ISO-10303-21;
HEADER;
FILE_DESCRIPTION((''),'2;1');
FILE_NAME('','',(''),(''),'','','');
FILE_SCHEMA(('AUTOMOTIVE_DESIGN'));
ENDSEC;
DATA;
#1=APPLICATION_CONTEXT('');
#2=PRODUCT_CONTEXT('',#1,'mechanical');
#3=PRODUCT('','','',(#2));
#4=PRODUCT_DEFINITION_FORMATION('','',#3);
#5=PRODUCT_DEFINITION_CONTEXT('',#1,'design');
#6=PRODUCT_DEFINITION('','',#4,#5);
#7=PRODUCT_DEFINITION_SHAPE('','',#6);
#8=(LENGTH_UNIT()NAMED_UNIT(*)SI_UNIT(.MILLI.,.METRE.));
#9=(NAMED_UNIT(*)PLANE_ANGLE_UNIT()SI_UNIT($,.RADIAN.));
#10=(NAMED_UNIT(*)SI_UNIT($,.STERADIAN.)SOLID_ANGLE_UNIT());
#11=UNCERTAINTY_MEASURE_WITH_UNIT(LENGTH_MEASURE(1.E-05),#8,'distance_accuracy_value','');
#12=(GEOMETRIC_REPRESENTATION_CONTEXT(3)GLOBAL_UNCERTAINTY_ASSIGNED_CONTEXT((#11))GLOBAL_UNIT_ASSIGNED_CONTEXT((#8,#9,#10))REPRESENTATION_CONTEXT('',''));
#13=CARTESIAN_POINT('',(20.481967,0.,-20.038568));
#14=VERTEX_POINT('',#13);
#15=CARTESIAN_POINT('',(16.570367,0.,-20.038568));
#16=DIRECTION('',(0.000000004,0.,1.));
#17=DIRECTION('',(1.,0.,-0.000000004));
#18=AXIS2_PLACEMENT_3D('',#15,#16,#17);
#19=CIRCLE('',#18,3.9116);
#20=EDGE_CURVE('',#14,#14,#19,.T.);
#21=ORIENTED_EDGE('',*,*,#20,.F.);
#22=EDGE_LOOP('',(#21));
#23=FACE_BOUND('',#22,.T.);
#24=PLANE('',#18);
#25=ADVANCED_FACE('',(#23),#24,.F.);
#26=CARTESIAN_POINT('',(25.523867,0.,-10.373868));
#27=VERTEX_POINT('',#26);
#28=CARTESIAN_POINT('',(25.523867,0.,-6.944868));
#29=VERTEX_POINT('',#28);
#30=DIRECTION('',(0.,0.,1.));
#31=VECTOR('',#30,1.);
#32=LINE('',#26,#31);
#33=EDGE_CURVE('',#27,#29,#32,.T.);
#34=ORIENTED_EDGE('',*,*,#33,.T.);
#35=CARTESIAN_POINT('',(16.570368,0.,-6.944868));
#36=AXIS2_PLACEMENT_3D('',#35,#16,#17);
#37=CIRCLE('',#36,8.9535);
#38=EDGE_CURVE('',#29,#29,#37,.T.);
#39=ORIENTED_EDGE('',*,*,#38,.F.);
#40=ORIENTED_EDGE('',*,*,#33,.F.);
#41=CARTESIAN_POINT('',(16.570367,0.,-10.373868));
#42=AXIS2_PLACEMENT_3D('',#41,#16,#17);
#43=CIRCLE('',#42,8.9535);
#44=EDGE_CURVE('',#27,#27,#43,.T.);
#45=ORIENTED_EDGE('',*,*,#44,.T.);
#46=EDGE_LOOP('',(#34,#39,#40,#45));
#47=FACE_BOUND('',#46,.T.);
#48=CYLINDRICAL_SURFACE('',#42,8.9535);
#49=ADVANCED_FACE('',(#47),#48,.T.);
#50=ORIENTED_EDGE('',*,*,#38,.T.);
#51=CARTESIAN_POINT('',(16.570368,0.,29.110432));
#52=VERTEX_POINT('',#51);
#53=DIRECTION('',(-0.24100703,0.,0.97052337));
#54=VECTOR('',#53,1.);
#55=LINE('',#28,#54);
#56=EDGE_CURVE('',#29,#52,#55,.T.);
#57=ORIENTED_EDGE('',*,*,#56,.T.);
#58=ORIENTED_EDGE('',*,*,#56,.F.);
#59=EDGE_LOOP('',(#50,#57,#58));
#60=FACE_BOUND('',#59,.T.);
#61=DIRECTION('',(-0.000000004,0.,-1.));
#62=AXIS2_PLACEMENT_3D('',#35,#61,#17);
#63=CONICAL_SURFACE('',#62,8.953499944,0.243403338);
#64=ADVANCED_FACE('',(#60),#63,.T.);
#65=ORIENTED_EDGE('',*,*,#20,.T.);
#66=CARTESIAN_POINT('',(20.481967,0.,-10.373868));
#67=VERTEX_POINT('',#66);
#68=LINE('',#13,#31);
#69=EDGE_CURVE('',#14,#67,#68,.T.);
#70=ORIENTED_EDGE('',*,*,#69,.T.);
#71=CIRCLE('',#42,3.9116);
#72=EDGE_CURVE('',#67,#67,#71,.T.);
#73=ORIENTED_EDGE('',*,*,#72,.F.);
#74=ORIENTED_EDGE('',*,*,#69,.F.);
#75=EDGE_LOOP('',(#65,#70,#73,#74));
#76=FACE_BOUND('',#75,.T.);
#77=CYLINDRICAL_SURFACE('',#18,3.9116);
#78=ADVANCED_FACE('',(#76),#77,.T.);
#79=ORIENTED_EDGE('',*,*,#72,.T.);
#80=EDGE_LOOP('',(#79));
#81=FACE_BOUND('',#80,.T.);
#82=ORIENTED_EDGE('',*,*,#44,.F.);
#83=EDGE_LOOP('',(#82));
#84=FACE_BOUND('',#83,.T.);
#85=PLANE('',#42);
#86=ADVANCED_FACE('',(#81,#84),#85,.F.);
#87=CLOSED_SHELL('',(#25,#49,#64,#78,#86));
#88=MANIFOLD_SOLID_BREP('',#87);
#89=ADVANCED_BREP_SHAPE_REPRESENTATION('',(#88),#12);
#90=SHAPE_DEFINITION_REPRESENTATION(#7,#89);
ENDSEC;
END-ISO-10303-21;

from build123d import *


with BuildPart() as f1:
    # F0 (on Front) → F1 (revolve)
    with BuildSketch(Plane.XZ):
        Polygon((16.5703676694, 29.1104319518), (16.5703674581, -20.0385680482), (20.4819674581, -20.0385680482), (20.4819674581, -10.3738680482), (25.5238674581, -10.3738680482), (25.5238674581, -6.9448680482), align=None)
    revolve(axis=Axis((16.5703675638, 0, 4.5359319518), (4.3e-09, 0, 1)))


solid = f1.part
